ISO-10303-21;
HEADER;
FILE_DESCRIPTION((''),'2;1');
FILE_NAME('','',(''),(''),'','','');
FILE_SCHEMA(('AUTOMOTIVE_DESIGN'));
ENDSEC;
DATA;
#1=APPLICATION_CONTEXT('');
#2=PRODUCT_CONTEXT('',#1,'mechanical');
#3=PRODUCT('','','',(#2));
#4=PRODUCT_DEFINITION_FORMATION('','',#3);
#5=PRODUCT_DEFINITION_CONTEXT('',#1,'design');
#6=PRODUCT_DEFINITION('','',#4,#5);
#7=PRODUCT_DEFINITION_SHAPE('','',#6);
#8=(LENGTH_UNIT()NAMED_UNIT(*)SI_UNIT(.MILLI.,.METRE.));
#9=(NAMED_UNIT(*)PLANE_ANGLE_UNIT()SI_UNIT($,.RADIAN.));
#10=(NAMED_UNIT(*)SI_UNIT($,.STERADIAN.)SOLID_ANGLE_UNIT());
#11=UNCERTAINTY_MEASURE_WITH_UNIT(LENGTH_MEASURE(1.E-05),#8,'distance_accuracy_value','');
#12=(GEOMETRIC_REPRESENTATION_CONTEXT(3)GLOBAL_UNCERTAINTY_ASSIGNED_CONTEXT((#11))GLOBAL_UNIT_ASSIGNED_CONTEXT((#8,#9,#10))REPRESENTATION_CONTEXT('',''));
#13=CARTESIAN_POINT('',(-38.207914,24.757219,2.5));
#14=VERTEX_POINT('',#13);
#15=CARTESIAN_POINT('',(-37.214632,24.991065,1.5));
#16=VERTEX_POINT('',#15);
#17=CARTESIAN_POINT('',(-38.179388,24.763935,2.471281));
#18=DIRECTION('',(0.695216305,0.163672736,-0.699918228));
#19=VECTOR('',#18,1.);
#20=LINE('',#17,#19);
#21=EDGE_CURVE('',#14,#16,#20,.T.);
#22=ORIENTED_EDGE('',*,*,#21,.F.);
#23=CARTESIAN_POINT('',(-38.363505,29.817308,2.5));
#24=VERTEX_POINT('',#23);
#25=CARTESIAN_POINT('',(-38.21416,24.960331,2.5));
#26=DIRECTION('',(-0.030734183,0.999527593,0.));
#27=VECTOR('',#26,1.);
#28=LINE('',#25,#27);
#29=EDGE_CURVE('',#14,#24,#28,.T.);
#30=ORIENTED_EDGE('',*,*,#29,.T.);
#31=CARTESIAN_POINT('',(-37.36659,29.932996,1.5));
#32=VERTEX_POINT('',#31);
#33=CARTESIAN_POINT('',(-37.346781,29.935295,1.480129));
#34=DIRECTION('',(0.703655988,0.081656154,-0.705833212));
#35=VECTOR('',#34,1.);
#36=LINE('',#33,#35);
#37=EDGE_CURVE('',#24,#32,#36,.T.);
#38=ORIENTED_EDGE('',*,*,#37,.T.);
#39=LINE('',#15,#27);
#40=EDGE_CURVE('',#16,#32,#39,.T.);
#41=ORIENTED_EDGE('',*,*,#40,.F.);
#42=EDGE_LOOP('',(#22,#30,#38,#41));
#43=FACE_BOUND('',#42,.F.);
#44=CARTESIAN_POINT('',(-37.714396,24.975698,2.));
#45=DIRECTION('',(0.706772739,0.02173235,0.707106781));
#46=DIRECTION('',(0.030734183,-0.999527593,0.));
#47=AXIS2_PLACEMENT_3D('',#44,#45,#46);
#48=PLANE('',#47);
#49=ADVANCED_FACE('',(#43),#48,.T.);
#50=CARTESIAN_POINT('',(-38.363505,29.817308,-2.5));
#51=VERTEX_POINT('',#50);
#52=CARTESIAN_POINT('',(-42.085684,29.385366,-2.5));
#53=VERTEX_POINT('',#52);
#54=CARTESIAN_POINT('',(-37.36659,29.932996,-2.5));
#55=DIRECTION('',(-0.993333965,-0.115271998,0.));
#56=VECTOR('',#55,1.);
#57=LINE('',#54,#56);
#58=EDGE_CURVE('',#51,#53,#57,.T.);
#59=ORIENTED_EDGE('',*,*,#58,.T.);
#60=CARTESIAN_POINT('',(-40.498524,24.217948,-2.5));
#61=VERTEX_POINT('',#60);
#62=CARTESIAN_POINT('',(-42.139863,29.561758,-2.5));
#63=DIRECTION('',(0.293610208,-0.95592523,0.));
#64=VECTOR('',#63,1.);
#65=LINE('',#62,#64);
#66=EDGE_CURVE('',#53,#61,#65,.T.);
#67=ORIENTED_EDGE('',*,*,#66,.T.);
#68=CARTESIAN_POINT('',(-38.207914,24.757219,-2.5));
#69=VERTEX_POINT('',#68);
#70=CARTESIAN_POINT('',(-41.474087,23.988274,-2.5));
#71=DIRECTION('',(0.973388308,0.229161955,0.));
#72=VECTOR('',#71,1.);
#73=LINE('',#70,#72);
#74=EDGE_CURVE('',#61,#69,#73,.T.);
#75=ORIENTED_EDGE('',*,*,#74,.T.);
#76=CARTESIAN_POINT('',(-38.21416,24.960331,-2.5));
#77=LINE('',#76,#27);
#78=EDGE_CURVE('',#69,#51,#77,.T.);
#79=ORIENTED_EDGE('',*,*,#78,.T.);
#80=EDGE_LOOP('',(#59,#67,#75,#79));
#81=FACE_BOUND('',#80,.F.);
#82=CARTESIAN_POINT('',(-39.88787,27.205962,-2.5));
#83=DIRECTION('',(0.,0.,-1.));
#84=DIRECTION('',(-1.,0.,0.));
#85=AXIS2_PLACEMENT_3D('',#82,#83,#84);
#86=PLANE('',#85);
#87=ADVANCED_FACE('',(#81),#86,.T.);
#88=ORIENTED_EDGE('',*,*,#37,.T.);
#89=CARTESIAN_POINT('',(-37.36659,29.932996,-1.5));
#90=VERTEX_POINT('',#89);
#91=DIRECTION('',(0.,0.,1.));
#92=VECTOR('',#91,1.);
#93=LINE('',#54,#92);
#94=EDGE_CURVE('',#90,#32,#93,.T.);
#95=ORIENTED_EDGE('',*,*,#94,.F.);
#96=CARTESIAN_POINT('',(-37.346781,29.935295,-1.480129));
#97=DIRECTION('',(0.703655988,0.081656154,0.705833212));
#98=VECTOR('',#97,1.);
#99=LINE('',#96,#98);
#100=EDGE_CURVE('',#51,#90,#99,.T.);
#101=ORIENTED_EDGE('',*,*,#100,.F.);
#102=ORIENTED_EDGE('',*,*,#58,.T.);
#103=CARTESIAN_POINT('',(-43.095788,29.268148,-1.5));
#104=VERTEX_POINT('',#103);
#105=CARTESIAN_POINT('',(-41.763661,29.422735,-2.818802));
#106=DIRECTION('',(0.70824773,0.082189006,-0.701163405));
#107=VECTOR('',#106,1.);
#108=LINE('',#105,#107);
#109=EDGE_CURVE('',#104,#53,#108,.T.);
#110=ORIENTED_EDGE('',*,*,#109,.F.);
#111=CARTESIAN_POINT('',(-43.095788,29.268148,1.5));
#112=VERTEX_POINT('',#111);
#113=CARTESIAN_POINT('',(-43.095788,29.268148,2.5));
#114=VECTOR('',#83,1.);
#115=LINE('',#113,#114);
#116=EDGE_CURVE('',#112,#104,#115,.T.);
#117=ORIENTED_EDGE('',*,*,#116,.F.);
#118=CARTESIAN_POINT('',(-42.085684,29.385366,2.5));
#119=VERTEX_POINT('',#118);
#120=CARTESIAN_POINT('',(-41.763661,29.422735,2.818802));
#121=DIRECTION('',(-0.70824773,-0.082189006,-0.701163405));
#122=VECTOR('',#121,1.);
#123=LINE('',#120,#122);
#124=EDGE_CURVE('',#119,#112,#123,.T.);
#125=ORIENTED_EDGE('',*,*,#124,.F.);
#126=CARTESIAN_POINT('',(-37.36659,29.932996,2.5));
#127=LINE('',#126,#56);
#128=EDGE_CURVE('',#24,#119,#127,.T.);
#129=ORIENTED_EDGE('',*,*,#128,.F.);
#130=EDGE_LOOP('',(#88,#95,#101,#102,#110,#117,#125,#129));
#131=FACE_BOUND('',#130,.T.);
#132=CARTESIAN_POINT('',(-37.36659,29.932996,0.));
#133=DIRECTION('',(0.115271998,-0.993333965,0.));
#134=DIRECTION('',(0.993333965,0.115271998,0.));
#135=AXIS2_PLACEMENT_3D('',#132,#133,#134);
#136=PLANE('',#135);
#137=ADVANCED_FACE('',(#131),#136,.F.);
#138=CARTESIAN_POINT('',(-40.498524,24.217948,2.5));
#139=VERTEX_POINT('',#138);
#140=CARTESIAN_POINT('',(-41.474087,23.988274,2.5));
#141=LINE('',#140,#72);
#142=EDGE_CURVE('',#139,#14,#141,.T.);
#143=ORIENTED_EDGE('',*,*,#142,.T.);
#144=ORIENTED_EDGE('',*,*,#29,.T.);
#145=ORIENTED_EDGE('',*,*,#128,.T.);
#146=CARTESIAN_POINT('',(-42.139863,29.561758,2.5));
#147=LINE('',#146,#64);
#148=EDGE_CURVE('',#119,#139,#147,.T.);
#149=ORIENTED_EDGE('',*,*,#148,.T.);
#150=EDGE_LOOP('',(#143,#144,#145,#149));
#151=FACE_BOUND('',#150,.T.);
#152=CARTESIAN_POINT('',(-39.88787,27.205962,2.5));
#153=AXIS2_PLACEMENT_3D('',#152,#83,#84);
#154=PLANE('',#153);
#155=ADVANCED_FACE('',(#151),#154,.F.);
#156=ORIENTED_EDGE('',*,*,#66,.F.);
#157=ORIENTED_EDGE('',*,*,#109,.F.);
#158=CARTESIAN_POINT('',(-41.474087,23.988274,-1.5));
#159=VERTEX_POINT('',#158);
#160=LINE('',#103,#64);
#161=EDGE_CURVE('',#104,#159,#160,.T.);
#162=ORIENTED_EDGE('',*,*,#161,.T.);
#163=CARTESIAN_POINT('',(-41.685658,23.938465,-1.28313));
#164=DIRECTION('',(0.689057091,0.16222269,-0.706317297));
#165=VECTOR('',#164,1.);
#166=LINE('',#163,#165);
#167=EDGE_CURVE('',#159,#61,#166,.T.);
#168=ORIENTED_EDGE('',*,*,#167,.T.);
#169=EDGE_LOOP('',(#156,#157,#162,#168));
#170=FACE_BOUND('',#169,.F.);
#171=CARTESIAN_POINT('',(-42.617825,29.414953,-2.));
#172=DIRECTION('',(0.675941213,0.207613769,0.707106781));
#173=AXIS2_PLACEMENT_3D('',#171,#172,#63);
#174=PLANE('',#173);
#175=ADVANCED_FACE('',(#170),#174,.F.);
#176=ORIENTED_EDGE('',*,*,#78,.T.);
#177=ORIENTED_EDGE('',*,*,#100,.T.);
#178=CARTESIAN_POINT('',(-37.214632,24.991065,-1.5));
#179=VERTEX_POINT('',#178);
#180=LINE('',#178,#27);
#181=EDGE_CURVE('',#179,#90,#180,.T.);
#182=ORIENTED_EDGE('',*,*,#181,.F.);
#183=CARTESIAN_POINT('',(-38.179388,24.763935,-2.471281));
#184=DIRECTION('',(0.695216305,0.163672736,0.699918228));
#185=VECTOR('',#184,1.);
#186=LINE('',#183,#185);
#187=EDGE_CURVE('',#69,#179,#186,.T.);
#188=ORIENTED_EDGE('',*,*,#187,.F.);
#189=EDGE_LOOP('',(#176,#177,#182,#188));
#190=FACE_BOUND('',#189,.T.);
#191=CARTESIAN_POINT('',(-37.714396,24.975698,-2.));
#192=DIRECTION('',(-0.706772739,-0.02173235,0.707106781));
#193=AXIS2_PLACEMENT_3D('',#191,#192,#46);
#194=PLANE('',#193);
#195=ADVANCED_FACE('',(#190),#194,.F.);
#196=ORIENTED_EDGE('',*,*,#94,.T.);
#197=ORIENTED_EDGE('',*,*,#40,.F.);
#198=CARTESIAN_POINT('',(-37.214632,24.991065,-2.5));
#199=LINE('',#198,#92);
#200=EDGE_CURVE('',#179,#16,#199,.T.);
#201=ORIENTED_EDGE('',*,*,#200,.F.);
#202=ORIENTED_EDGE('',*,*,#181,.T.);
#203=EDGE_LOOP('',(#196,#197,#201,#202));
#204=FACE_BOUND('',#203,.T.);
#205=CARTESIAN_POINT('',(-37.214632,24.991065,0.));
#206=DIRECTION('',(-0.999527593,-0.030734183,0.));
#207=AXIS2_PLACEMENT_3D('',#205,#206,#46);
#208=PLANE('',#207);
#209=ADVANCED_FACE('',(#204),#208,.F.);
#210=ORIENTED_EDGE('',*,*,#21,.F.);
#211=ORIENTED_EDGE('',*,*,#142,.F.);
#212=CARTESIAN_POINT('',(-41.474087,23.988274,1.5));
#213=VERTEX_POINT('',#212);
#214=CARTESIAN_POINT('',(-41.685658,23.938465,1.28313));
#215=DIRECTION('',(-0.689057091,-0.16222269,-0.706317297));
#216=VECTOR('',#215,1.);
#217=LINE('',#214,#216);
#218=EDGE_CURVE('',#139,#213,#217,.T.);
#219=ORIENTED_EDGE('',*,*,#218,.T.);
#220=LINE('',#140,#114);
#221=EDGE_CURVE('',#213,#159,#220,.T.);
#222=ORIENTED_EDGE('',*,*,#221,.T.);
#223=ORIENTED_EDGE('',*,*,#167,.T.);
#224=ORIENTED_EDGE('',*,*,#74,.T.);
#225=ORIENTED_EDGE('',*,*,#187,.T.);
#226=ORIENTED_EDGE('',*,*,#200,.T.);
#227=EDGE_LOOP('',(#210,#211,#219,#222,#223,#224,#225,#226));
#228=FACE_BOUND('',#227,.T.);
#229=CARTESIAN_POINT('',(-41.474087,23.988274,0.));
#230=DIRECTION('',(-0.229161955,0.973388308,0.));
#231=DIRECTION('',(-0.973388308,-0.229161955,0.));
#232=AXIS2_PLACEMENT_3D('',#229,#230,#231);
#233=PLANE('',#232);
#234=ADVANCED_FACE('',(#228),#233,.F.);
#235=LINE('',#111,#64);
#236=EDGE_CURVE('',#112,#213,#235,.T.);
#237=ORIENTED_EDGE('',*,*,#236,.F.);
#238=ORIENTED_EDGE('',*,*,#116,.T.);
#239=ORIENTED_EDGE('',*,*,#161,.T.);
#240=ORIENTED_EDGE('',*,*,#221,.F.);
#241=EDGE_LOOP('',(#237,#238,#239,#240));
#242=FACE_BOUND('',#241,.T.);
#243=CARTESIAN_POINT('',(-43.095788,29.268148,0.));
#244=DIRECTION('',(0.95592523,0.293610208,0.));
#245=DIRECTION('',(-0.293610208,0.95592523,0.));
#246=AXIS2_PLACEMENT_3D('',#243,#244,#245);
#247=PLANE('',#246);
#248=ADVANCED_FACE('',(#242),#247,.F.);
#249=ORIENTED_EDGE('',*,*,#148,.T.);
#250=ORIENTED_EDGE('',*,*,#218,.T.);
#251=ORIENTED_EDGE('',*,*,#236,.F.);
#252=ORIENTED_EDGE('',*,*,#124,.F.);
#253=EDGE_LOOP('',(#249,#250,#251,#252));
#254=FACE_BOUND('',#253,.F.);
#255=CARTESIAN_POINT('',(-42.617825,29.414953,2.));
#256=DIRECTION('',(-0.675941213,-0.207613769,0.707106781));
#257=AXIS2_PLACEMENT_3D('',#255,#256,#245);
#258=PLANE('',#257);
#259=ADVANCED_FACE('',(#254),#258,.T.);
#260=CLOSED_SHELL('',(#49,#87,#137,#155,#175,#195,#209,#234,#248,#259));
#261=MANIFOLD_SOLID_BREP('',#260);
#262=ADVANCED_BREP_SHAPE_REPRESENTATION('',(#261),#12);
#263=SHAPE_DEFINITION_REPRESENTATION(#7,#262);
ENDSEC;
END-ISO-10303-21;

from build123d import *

# Parameters (mm, degrees)
PAD005_DEPTH    = 2.5
CHAMFER003_SIZE = 1


with BuildPart() as knubbel_stirn:
    # Sketch → Pad005 (new body, symmetric)
    with BuildSketch(Plane.XY):
        Polygon((37.36659, 29.932996), (43.095788, 29.268148), (41.474087, 23.988274), (37.214632, 24.991065), align=None)
    extrude(amount=PAD005_DEPTH, both=True)

    # Chamfer003
    chamfer003_edges = [knubbel_stirn.edges().sort_by_distance(p)[0] for p in [
        (42.284938, 26.628211, 2.5),
        (37.290611, 27.46203, 2.5),
        (42.284938, 26.628211, -2.5),
        (37.290611, 27.46203, -2.5),
    ]]
    chamfer(chamfer003_edges, length=CHAMFER003_SIZE)


with BuildPart() as part_mirroring001:
    # Part__Mirroring001: instance of Knubbel_Stirn
    add(knubbel_stirn.part.mirror(Plane(origin=(0, 0, 0), x_dir=(0, -1, 0), z_dir=(1, 0, 0))))


solid = part_mirroring001.part
